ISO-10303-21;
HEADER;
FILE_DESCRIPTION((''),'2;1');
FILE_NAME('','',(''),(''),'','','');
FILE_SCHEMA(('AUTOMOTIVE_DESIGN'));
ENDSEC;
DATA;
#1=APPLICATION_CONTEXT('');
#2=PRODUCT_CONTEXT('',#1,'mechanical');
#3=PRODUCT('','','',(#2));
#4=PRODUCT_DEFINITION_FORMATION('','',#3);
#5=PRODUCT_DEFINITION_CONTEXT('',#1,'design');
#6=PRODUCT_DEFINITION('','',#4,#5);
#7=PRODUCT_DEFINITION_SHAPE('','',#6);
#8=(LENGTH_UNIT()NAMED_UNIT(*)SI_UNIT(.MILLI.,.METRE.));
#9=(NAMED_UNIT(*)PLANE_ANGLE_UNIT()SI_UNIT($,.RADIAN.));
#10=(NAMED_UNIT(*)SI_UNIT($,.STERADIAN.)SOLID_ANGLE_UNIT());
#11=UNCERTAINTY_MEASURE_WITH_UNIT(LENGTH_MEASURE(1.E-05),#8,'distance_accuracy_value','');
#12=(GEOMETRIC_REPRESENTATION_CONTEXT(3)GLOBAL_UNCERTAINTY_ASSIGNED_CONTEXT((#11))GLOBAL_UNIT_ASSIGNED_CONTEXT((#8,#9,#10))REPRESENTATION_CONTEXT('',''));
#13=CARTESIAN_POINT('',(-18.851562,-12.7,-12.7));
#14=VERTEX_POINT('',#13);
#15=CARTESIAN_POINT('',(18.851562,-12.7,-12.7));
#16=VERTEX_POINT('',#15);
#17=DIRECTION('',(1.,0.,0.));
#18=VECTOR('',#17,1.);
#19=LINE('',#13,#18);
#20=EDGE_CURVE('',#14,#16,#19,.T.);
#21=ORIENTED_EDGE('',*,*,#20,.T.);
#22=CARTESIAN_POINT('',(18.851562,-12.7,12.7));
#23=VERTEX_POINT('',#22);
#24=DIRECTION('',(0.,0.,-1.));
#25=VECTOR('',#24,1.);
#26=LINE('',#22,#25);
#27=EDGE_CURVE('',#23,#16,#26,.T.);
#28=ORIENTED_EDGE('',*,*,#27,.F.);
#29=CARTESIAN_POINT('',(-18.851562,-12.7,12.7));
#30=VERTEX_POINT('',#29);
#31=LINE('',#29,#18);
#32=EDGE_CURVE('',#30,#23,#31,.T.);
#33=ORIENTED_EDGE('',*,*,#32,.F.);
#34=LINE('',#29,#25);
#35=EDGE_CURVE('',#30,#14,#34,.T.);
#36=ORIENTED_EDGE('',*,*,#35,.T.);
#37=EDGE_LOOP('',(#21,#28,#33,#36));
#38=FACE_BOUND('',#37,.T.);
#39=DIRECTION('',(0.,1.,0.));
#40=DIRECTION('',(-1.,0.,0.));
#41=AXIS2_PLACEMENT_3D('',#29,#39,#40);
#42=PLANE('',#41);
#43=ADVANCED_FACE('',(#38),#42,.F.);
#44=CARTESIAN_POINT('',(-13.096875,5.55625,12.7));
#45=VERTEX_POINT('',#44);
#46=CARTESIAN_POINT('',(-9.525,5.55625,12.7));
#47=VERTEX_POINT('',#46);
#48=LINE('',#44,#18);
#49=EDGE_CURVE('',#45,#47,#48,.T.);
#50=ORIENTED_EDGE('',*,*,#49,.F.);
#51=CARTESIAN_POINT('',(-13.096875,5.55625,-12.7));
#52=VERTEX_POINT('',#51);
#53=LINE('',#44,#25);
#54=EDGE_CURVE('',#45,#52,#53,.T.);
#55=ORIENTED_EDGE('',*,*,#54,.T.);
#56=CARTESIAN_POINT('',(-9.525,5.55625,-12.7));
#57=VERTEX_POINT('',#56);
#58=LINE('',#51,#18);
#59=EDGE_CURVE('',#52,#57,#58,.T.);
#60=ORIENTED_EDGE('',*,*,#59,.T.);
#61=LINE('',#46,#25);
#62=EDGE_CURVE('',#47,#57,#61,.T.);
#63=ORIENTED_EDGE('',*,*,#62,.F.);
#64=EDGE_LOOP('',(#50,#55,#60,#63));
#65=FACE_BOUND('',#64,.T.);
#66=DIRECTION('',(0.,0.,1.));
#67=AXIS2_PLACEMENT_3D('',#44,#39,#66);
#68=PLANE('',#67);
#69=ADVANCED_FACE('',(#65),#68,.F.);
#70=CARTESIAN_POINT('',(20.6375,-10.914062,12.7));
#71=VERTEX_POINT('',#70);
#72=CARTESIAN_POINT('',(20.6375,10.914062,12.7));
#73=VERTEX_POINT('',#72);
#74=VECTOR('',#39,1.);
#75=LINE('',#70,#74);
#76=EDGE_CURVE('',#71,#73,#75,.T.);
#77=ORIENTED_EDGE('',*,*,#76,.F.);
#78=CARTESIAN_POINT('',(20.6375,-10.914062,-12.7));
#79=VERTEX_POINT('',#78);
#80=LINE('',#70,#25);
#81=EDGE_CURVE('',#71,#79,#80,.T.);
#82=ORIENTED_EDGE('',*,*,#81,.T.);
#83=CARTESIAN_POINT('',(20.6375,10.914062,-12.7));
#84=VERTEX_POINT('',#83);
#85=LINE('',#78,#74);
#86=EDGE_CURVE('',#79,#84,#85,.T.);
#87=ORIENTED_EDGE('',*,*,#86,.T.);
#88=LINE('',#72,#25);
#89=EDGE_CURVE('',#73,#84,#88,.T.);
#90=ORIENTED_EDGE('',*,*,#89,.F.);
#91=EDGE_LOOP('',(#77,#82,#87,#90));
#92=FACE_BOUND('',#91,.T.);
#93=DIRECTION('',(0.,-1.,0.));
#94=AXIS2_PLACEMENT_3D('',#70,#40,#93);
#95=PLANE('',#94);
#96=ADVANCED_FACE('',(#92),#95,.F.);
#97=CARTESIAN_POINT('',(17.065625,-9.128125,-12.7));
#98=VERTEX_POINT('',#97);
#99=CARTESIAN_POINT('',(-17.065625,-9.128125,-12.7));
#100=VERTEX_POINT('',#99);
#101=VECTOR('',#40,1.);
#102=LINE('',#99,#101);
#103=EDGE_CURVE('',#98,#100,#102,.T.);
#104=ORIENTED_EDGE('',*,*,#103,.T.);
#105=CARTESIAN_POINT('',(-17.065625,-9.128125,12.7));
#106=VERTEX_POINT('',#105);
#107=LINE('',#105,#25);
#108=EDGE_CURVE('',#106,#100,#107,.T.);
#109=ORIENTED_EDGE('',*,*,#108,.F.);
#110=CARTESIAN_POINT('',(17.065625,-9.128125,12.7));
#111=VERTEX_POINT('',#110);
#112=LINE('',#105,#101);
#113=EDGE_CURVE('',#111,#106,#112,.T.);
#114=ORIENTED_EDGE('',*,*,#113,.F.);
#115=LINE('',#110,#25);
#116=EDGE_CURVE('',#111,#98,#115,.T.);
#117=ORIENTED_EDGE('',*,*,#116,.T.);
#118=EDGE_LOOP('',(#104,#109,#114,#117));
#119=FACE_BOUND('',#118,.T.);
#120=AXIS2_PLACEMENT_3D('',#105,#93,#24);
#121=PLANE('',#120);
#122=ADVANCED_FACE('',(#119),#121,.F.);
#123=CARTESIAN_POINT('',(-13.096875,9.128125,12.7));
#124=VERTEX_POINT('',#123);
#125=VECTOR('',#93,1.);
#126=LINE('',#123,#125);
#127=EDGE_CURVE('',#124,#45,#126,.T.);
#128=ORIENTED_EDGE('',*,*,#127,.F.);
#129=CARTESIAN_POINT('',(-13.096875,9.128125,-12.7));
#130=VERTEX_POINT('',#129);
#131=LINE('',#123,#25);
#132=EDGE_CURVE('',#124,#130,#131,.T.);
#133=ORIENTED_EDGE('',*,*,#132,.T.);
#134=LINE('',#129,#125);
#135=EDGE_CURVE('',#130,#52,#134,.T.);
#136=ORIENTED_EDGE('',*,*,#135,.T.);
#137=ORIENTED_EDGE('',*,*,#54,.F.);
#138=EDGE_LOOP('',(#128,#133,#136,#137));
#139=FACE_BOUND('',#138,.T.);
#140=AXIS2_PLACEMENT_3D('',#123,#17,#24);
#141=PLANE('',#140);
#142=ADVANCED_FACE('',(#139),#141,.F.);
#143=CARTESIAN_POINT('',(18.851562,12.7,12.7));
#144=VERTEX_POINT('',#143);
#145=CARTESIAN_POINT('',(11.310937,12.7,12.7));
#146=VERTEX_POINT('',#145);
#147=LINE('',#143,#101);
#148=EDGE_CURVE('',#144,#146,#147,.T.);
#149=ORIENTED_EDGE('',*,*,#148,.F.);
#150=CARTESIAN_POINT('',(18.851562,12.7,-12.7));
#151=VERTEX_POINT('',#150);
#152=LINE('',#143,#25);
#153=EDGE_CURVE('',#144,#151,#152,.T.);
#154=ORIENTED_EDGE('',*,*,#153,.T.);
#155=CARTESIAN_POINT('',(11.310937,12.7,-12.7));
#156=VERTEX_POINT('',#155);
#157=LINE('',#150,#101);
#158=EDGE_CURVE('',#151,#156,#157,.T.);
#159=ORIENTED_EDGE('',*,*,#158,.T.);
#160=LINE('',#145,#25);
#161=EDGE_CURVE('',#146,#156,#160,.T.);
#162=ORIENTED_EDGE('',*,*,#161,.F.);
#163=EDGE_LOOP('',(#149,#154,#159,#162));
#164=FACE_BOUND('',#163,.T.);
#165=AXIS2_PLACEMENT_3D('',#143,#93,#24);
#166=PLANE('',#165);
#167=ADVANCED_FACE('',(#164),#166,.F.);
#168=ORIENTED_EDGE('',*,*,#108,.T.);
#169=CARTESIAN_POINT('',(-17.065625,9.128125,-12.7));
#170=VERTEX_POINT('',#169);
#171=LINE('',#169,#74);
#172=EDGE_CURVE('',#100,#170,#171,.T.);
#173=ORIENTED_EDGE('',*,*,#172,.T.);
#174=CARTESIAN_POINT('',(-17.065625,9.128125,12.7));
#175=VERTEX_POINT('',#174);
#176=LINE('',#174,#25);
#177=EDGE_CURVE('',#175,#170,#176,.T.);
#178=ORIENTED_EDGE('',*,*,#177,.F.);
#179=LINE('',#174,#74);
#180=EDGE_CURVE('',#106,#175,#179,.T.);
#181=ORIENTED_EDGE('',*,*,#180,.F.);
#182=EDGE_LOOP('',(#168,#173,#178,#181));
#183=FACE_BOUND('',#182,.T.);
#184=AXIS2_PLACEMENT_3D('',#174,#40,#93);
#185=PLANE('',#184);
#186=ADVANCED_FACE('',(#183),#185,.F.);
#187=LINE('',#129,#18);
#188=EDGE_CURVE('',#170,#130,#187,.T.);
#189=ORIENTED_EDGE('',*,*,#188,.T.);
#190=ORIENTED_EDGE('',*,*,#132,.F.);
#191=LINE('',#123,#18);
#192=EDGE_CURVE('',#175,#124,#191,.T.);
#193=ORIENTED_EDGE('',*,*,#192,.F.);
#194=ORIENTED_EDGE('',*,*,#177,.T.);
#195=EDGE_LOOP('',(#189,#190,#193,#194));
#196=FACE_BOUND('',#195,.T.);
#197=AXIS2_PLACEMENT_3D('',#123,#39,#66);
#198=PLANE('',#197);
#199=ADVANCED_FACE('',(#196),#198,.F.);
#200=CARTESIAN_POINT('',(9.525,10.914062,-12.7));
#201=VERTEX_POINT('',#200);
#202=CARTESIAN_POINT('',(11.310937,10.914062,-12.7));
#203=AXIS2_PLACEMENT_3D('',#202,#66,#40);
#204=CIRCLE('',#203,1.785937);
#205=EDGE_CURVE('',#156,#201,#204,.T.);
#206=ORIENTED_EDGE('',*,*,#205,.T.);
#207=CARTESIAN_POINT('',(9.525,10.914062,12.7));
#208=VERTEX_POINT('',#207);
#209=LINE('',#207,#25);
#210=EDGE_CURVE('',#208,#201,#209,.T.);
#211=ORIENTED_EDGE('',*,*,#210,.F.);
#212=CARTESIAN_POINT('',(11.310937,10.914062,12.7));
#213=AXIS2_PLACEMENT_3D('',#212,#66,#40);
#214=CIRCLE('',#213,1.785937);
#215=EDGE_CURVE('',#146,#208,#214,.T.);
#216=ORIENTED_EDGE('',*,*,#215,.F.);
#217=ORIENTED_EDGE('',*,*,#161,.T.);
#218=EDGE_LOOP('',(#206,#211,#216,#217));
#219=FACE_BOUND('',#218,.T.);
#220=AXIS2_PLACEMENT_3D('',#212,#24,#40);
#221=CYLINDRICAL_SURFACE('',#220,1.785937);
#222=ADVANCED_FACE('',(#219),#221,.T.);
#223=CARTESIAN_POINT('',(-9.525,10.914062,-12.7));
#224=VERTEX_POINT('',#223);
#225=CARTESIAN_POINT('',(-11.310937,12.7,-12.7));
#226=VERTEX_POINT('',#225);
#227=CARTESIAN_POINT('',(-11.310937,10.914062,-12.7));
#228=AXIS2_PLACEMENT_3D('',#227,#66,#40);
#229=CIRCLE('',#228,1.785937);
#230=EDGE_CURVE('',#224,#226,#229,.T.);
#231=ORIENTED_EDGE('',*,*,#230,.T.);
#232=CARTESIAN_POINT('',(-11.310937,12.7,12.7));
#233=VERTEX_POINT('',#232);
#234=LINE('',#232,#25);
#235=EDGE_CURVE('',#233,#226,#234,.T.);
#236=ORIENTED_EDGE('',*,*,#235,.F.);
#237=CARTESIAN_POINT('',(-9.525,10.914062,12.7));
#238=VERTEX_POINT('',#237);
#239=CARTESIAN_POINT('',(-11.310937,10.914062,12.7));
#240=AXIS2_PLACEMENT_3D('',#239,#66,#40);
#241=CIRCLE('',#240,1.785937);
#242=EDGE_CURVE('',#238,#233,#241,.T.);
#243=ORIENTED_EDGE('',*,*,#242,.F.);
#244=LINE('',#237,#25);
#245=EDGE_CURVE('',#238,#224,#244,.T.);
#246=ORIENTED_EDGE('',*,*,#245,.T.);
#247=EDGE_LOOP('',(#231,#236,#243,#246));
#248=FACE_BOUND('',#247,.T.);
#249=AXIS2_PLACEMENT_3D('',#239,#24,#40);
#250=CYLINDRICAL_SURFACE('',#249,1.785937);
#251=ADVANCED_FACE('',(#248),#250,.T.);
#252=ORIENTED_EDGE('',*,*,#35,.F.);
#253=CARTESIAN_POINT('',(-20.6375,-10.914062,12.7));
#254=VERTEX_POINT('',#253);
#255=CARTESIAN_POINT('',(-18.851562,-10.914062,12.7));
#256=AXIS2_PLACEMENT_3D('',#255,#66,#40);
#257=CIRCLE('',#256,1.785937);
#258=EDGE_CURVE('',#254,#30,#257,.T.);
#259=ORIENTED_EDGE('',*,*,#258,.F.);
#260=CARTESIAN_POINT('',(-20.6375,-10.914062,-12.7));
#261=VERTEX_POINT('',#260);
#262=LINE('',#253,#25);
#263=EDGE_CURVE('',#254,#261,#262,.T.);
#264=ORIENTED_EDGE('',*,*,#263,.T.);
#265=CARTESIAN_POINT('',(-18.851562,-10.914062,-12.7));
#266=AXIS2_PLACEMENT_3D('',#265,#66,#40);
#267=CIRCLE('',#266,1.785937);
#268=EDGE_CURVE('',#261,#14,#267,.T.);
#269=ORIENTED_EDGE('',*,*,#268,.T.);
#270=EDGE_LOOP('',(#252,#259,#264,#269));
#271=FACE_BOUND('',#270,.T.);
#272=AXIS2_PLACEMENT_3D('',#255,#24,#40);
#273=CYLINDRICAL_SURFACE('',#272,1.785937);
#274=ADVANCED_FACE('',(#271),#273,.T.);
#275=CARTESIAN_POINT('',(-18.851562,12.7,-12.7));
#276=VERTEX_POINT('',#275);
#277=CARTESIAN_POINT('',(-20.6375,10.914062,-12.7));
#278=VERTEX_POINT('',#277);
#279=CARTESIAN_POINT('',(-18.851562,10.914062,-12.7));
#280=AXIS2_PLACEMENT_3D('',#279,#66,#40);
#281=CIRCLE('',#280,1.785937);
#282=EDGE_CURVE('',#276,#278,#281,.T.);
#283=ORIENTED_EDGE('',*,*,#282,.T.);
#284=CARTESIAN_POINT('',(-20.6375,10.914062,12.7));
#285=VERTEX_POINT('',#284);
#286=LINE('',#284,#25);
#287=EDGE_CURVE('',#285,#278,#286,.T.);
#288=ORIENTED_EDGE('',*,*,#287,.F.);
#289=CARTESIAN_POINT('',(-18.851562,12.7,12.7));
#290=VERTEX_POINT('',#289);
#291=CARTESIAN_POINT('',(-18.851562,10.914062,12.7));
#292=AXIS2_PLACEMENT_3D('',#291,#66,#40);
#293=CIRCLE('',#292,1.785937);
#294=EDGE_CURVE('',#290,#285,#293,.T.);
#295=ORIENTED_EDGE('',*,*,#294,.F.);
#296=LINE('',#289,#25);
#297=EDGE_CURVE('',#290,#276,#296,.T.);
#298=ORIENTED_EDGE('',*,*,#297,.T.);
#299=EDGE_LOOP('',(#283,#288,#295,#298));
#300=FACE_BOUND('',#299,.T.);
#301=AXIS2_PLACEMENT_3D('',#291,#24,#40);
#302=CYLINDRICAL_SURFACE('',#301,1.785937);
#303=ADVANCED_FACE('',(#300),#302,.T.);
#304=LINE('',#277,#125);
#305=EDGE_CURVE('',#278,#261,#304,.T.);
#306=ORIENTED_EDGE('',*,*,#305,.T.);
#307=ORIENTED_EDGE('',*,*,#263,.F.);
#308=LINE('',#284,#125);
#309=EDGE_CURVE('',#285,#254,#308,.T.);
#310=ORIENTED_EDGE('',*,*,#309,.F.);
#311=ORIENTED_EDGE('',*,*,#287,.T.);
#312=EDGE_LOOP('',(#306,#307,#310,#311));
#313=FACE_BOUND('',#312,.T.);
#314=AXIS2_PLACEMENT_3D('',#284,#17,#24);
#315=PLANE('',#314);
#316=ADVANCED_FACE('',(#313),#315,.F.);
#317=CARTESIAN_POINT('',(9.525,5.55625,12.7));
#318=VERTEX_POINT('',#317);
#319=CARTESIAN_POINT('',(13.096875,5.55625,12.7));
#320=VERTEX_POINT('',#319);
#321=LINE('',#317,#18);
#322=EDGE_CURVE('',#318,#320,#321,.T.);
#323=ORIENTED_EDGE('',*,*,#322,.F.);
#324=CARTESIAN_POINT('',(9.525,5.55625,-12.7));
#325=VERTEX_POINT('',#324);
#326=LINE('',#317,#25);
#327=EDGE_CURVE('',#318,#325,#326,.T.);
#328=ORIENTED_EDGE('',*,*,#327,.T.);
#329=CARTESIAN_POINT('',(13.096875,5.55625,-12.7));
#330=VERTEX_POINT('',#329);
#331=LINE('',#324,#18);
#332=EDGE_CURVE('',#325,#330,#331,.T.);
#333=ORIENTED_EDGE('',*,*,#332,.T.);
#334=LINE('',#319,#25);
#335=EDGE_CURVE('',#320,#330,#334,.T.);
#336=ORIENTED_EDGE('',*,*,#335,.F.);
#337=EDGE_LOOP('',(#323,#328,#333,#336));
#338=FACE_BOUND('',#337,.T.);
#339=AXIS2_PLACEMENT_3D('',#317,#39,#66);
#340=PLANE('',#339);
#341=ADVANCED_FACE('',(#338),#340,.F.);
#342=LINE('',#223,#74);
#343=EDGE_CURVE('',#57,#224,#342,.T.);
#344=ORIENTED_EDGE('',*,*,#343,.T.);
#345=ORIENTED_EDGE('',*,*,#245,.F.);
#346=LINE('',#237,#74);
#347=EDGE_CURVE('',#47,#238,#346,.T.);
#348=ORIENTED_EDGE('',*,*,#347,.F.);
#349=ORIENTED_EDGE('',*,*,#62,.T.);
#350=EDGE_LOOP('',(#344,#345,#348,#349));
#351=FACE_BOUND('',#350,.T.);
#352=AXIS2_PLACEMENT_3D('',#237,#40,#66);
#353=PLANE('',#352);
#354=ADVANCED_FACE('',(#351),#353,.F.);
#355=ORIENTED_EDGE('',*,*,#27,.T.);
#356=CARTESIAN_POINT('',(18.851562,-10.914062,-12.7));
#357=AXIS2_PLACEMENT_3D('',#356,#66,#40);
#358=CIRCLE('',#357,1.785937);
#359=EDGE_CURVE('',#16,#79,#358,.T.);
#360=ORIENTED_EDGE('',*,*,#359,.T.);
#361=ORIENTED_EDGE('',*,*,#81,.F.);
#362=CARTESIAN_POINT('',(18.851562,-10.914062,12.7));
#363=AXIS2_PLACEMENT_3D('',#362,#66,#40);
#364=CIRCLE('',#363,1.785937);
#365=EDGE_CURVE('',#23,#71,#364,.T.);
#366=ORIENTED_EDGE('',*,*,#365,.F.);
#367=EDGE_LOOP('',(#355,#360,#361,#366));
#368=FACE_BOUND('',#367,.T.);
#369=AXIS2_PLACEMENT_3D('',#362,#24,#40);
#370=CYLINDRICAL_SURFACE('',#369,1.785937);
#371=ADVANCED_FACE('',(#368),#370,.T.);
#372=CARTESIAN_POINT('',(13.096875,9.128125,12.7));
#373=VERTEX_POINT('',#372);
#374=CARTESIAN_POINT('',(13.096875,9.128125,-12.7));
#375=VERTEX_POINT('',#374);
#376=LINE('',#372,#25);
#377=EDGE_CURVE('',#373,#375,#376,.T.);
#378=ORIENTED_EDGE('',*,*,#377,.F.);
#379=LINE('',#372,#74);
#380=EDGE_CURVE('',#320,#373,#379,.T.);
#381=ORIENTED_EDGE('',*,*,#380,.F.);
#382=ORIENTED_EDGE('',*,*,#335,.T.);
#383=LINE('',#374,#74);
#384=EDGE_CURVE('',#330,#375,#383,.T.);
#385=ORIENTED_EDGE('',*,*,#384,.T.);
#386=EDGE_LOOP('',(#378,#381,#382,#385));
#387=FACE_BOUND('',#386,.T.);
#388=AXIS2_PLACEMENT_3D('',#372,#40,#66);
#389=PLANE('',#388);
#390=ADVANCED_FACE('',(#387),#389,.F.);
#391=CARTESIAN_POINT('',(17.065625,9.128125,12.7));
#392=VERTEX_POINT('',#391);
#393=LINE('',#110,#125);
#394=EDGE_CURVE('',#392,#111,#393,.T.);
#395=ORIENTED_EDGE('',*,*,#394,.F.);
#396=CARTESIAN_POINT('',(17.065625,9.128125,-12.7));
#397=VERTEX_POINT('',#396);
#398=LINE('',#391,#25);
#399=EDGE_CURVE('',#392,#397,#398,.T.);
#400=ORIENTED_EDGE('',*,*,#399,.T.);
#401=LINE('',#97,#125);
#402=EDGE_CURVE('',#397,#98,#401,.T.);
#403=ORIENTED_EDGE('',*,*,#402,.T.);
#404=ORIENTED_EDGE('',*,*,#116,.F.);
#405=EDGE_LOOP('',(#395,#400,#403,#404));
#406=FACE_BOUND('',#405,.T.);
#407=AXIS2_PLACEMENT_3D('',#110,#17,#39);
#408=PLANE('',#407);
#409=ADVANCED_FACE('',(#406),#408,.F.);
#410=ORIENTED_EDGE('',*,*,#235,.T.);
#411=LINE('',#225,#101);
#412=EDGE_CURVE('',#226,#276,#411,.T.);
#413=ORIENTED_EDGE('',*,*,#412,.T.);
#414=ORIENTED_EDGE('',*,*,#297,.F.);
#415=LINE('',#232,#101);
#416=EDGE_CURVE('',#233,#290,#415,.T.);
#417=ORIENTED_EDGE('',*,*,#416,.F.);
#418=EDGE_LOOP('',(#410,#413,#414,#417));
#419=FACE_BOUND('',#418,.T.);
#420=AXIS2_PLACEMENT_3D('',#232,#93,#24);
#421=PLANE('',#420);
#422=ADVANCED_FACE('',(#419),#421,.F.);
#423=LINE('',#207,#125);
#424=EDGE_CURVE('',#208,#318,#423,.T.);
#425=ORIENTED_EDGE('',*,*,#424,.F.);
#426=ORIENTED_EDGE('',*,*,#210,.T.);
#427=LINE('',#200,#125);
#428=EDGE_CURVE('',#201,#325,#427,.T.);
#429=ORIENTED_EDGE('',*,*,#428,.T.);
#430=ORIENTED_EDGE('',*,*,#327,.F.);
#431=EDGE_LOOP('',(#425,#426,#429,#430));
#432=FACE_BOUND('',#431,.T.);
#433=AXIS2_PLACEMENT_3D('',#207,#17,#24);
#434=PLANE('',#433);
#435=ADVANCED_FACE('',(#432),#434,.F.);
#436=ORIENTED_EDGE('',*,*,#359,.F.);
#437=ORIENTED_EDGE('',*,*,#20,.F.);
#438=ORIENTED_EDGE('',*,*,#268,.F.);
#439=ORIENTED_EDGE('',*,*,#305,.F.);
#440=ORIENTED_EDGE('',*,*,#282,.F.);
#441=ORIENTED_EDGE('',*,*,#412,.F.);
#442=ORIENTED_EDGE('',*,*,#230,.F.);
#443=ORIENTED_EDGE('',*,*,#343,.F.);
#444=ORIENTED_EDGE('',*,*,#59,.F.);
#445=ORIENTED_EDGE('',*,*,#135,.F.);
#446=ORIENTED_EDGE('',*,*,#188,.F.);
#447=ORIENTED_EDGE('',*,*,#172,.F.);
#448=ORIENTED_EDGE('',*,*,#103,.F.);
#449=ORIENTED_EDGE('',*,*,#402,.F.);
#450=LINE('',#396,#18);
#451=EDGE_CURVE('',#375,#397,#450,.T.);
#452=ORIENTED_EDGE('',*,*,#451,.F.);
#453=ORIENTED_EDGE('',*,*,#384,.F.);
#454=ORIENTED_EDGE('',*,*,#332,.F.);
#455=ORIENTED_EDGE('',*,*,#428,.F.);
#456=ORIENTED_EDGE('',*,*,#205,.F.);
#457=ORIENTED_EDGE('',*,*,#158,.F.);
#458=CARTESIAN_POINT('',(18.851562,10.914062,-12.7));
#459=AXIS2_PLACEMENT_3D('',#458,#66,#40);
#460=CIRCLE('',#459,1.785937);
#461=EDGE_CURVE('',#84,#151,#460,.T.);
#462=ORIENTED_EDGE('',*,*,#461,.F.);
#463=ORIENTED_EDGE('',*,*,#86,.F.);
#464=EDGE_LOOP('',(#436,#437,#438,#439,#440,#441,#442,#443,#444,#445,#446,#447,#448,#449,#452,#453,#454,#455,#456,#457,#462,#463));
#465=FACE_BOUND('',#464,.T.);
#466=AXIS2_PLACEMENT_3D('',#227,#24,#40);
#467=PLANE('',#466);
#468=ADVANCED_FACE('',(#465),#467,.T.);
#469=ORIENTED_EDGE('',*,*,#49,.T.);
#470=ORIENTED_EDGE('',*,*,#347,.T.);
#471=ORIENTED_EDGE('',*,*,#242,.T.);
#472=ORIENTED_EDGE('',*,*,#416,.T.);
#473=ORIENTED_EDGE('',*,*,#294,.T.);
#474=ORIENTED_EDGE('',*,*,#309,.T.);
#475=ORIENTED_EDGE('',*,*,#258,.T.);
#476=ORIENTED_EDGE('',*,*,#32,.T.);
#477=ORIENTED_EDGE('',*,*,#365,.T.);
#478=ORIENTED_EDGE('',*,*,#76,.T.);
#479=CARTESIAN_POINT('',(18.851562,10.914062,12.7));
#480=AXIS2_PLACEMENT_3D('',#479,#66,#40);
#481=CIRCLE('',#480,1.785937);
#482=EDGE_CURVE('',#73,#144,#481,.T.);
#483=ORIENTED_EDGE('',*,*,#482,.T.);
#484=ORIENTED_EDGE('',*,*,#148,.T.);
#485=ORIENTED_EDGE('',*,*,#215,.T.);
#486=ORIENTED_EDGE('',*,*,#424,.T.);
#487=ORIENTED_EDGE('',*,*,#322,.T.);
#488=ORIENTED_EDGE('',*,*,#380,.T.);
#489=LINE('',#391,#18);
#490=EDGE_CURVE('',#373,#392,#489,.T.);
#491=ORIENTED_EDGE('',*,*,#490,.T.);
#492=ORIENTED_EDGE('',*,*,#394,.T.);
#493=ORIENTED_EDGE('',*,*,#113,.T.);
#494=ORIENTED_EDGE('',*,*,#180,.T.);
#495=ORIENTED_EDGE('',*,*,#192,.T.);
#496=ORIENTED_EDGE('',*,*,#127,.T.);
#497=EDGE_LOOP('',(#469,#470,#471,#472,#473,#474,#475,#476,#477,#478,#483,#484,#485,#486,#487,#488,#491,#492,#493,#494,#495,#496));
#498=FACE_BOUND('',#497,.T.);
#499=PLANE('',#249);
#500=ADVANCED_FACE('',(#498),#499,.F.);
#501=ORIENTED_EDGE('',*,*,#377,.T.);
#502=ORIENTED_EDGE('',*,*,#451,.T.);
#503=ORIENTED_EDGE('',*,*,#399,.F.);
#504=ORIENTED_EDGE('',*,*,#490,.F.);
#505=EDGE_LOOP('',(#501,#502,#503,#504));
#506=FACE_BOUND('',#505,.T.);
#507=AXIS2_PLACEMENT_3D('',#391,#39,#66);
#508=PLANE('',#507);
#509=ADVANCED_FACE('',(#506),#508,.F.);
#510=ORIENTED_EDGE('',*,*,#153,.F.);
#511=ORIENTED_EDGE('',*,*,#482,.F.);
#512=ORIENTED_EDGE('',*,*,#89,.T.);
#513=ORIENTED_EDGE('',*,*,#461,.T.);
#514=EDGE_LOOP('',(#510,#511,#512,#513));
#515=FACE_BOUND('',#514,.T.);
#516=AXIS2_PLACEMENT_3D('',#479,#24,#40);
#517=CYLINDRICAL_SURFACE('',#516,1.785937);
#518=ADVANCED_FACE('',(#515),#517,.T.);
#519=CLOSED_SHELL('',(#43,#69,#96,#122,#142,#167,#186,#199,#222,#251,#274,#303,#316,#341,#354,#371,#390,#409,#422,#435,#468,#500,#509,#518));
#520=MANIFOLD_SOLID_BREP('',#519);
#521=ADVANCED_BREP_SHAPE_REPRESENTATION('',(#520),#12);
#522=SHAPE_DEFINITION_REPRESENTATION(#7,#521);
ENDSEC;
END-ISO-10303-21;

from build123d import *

# Parameters (mm, degrees)
BASE_EXTRUDE_DEPTH = 12.7


with BuildPart() as part:
    # Sketch1 → Base-Extrude (new, symmetric)
    with BuildSketch(Plane.XY):
        with BuildLine():
            Line((-11.3109375, 12.7), (-18.8515625, 12.7))
            ThreePointArc((-18.8515625, 12.7), (-20.114411017, 12.176911017), (-20.6375, 10.9140625))
            Line((-20.6375, 10.9140625), (-20.6375, -10.9140625))
            ThreePointArc((-20.6375, -10.9140625), (-20.114411017, -12.176911017), (-18.8515625, -12.7))
            Line((-18.8515625, -12.7), (18.8515625, -12.7))
            ThreePointArc((18.8515625, -12.7), (20.114411017, -12.176911017), (20.6375, -10.9140625))
            Line((20.6375, -10.9140625), (20.6375, 10.9140625))
            ThreePointArc((20.6375, 10.9140625), (20.114411017, 12.176911017), (18.8515625, 12.7))
            Line((18.8515625, 12.7), (11.3109375, 12.7))
            ThreePointArc((11.3109375, 12.7), (10.048088983, 12.176911017), (9.525, 10.9140625))
            Line((9.525, 10.9140625), (9.525, 5.55625))
            Line((9.525, 5.55625), (13.096875, 5.55625))
            Line((13.096875, 5.55625), (13.096875, 9.128125))
            Line((13.096875, 9.128125), (17.065625, 9.128125))
            Line((17.065625, 9.128125), (17.065625, -9.128125))
            Line((17.065625, -9.128125), (-17.065625, -9.128125))
            Line((-17.065625, -9.128125), (-17.065625, 9.128125))
            Line((-17.065625, 9.128125), (-13.096875, 9.128125))
            Line((-13.096875, 9.128125), (-13.096875, 5.55625))
            Line((-13.096875, 5.55625), (-9.525, 5.55625))
            Line((-9.525, 5.55625), (-9.525, 10.9140625))
            ThreePointArc((-9.525, 10.9140625), (-10.048088983, 12.176911017), (-11.3109375, 12.7))
        make_face()
    extrude(amount=BASE_EXTRUDE_DEPTH, both=True)


solid = part.part
